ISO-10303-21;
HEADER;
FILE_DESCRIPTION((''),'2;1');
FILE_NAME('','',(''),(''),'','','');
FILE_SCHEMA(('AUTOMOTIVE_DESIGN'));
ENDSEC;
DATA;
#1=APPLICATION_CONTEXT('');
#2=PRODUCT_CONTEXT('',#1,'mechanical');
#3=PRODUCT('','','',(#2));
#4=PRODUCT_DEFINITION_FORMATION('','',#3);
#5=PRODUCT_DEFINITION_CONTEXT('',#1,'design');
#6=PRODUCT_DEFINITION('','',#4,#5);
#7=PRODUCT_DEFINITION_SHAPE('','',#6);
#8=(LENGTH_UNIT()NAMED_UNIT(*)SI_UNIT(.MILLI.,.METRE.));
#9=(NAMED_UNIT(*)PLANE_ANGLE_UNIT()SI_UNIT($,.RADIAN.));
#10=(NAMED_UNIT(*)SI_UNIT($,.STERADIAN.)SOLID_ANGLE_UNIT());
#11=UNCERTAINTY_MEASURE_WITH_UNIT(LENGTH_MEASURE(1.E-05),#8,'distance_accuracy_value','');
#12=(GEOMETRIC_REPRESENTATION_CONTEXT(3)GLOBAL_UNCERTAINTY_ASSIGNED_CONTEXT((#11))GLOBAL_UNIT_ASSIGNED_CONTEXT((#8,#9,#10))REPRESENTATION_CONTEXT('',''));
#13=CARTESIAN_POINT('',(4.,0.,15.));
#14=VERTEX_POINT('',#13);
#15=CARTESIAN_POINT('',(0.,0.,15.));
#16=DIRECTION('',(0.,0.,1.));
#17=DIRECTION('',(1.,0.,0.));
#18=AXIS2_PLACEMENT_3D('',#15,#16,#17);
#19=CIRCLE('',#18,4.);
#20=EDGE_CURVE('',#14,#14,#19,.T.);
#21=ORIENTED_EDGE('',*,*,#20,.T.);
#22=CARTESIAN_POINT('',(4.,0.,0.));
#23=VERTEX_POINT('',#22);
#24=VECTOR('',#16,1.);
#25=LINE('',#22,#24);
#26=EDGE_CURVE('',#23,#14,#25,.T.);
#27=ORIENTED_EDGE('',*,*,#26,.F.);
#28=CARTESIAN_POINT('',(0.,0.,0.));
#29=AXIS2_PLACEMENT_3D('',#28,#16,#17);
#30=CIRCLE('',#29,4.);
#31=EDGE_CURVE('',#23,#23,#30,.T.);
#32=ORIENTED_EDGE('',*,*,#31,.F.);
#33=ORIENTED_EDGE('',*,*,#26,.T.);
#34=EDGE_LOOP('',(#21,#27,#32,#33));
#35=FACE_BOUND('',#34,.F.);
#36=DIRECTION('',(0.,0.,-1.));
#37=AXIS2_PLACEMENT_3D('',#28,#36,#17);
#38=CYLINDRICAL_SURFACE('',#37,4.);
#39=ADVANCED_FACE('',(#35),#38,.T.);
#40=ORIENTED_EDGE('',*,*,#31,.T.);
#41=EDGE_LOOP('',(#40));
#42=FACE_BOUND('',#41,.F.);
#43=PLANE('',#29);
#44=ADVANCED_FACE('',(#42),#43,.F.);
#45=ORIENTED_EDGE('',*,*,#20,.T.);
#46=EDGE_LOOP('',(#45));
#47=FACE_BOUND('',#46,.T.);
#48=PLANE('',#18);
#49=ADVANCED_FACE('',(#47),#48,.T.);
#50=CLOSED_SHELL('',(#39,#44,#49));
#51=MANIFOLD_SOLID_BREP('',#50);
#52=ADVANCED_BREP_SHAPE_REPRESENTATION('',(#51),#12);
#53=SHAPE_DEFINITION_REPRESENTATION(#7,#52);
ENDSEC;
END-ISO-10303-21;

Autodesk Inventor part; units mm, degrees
ref_plane "YZ Plane" through (0, 0, 0) normal (1, 0, 0) x (0, 1, 0)
ref_plane "XZ Plane" through (0, 0, 0) normal (0, 1, 0) x (-1, 0, 0)
ref_plane "XY Plane" through (0, 0, 0) normal (0, 0, 1) x (1, 0, 0)
sketch "Sketch1" plane through (0, 0, 0) normal (0, 0, 1) x (1, 0, 0)
  circle A0 centre (0, 0) radius 4
  dimension "d0" = 8
extrude "Extrusion1" add sketch "Sketch1" along normal blind 15
properties part number "location hole mount"
